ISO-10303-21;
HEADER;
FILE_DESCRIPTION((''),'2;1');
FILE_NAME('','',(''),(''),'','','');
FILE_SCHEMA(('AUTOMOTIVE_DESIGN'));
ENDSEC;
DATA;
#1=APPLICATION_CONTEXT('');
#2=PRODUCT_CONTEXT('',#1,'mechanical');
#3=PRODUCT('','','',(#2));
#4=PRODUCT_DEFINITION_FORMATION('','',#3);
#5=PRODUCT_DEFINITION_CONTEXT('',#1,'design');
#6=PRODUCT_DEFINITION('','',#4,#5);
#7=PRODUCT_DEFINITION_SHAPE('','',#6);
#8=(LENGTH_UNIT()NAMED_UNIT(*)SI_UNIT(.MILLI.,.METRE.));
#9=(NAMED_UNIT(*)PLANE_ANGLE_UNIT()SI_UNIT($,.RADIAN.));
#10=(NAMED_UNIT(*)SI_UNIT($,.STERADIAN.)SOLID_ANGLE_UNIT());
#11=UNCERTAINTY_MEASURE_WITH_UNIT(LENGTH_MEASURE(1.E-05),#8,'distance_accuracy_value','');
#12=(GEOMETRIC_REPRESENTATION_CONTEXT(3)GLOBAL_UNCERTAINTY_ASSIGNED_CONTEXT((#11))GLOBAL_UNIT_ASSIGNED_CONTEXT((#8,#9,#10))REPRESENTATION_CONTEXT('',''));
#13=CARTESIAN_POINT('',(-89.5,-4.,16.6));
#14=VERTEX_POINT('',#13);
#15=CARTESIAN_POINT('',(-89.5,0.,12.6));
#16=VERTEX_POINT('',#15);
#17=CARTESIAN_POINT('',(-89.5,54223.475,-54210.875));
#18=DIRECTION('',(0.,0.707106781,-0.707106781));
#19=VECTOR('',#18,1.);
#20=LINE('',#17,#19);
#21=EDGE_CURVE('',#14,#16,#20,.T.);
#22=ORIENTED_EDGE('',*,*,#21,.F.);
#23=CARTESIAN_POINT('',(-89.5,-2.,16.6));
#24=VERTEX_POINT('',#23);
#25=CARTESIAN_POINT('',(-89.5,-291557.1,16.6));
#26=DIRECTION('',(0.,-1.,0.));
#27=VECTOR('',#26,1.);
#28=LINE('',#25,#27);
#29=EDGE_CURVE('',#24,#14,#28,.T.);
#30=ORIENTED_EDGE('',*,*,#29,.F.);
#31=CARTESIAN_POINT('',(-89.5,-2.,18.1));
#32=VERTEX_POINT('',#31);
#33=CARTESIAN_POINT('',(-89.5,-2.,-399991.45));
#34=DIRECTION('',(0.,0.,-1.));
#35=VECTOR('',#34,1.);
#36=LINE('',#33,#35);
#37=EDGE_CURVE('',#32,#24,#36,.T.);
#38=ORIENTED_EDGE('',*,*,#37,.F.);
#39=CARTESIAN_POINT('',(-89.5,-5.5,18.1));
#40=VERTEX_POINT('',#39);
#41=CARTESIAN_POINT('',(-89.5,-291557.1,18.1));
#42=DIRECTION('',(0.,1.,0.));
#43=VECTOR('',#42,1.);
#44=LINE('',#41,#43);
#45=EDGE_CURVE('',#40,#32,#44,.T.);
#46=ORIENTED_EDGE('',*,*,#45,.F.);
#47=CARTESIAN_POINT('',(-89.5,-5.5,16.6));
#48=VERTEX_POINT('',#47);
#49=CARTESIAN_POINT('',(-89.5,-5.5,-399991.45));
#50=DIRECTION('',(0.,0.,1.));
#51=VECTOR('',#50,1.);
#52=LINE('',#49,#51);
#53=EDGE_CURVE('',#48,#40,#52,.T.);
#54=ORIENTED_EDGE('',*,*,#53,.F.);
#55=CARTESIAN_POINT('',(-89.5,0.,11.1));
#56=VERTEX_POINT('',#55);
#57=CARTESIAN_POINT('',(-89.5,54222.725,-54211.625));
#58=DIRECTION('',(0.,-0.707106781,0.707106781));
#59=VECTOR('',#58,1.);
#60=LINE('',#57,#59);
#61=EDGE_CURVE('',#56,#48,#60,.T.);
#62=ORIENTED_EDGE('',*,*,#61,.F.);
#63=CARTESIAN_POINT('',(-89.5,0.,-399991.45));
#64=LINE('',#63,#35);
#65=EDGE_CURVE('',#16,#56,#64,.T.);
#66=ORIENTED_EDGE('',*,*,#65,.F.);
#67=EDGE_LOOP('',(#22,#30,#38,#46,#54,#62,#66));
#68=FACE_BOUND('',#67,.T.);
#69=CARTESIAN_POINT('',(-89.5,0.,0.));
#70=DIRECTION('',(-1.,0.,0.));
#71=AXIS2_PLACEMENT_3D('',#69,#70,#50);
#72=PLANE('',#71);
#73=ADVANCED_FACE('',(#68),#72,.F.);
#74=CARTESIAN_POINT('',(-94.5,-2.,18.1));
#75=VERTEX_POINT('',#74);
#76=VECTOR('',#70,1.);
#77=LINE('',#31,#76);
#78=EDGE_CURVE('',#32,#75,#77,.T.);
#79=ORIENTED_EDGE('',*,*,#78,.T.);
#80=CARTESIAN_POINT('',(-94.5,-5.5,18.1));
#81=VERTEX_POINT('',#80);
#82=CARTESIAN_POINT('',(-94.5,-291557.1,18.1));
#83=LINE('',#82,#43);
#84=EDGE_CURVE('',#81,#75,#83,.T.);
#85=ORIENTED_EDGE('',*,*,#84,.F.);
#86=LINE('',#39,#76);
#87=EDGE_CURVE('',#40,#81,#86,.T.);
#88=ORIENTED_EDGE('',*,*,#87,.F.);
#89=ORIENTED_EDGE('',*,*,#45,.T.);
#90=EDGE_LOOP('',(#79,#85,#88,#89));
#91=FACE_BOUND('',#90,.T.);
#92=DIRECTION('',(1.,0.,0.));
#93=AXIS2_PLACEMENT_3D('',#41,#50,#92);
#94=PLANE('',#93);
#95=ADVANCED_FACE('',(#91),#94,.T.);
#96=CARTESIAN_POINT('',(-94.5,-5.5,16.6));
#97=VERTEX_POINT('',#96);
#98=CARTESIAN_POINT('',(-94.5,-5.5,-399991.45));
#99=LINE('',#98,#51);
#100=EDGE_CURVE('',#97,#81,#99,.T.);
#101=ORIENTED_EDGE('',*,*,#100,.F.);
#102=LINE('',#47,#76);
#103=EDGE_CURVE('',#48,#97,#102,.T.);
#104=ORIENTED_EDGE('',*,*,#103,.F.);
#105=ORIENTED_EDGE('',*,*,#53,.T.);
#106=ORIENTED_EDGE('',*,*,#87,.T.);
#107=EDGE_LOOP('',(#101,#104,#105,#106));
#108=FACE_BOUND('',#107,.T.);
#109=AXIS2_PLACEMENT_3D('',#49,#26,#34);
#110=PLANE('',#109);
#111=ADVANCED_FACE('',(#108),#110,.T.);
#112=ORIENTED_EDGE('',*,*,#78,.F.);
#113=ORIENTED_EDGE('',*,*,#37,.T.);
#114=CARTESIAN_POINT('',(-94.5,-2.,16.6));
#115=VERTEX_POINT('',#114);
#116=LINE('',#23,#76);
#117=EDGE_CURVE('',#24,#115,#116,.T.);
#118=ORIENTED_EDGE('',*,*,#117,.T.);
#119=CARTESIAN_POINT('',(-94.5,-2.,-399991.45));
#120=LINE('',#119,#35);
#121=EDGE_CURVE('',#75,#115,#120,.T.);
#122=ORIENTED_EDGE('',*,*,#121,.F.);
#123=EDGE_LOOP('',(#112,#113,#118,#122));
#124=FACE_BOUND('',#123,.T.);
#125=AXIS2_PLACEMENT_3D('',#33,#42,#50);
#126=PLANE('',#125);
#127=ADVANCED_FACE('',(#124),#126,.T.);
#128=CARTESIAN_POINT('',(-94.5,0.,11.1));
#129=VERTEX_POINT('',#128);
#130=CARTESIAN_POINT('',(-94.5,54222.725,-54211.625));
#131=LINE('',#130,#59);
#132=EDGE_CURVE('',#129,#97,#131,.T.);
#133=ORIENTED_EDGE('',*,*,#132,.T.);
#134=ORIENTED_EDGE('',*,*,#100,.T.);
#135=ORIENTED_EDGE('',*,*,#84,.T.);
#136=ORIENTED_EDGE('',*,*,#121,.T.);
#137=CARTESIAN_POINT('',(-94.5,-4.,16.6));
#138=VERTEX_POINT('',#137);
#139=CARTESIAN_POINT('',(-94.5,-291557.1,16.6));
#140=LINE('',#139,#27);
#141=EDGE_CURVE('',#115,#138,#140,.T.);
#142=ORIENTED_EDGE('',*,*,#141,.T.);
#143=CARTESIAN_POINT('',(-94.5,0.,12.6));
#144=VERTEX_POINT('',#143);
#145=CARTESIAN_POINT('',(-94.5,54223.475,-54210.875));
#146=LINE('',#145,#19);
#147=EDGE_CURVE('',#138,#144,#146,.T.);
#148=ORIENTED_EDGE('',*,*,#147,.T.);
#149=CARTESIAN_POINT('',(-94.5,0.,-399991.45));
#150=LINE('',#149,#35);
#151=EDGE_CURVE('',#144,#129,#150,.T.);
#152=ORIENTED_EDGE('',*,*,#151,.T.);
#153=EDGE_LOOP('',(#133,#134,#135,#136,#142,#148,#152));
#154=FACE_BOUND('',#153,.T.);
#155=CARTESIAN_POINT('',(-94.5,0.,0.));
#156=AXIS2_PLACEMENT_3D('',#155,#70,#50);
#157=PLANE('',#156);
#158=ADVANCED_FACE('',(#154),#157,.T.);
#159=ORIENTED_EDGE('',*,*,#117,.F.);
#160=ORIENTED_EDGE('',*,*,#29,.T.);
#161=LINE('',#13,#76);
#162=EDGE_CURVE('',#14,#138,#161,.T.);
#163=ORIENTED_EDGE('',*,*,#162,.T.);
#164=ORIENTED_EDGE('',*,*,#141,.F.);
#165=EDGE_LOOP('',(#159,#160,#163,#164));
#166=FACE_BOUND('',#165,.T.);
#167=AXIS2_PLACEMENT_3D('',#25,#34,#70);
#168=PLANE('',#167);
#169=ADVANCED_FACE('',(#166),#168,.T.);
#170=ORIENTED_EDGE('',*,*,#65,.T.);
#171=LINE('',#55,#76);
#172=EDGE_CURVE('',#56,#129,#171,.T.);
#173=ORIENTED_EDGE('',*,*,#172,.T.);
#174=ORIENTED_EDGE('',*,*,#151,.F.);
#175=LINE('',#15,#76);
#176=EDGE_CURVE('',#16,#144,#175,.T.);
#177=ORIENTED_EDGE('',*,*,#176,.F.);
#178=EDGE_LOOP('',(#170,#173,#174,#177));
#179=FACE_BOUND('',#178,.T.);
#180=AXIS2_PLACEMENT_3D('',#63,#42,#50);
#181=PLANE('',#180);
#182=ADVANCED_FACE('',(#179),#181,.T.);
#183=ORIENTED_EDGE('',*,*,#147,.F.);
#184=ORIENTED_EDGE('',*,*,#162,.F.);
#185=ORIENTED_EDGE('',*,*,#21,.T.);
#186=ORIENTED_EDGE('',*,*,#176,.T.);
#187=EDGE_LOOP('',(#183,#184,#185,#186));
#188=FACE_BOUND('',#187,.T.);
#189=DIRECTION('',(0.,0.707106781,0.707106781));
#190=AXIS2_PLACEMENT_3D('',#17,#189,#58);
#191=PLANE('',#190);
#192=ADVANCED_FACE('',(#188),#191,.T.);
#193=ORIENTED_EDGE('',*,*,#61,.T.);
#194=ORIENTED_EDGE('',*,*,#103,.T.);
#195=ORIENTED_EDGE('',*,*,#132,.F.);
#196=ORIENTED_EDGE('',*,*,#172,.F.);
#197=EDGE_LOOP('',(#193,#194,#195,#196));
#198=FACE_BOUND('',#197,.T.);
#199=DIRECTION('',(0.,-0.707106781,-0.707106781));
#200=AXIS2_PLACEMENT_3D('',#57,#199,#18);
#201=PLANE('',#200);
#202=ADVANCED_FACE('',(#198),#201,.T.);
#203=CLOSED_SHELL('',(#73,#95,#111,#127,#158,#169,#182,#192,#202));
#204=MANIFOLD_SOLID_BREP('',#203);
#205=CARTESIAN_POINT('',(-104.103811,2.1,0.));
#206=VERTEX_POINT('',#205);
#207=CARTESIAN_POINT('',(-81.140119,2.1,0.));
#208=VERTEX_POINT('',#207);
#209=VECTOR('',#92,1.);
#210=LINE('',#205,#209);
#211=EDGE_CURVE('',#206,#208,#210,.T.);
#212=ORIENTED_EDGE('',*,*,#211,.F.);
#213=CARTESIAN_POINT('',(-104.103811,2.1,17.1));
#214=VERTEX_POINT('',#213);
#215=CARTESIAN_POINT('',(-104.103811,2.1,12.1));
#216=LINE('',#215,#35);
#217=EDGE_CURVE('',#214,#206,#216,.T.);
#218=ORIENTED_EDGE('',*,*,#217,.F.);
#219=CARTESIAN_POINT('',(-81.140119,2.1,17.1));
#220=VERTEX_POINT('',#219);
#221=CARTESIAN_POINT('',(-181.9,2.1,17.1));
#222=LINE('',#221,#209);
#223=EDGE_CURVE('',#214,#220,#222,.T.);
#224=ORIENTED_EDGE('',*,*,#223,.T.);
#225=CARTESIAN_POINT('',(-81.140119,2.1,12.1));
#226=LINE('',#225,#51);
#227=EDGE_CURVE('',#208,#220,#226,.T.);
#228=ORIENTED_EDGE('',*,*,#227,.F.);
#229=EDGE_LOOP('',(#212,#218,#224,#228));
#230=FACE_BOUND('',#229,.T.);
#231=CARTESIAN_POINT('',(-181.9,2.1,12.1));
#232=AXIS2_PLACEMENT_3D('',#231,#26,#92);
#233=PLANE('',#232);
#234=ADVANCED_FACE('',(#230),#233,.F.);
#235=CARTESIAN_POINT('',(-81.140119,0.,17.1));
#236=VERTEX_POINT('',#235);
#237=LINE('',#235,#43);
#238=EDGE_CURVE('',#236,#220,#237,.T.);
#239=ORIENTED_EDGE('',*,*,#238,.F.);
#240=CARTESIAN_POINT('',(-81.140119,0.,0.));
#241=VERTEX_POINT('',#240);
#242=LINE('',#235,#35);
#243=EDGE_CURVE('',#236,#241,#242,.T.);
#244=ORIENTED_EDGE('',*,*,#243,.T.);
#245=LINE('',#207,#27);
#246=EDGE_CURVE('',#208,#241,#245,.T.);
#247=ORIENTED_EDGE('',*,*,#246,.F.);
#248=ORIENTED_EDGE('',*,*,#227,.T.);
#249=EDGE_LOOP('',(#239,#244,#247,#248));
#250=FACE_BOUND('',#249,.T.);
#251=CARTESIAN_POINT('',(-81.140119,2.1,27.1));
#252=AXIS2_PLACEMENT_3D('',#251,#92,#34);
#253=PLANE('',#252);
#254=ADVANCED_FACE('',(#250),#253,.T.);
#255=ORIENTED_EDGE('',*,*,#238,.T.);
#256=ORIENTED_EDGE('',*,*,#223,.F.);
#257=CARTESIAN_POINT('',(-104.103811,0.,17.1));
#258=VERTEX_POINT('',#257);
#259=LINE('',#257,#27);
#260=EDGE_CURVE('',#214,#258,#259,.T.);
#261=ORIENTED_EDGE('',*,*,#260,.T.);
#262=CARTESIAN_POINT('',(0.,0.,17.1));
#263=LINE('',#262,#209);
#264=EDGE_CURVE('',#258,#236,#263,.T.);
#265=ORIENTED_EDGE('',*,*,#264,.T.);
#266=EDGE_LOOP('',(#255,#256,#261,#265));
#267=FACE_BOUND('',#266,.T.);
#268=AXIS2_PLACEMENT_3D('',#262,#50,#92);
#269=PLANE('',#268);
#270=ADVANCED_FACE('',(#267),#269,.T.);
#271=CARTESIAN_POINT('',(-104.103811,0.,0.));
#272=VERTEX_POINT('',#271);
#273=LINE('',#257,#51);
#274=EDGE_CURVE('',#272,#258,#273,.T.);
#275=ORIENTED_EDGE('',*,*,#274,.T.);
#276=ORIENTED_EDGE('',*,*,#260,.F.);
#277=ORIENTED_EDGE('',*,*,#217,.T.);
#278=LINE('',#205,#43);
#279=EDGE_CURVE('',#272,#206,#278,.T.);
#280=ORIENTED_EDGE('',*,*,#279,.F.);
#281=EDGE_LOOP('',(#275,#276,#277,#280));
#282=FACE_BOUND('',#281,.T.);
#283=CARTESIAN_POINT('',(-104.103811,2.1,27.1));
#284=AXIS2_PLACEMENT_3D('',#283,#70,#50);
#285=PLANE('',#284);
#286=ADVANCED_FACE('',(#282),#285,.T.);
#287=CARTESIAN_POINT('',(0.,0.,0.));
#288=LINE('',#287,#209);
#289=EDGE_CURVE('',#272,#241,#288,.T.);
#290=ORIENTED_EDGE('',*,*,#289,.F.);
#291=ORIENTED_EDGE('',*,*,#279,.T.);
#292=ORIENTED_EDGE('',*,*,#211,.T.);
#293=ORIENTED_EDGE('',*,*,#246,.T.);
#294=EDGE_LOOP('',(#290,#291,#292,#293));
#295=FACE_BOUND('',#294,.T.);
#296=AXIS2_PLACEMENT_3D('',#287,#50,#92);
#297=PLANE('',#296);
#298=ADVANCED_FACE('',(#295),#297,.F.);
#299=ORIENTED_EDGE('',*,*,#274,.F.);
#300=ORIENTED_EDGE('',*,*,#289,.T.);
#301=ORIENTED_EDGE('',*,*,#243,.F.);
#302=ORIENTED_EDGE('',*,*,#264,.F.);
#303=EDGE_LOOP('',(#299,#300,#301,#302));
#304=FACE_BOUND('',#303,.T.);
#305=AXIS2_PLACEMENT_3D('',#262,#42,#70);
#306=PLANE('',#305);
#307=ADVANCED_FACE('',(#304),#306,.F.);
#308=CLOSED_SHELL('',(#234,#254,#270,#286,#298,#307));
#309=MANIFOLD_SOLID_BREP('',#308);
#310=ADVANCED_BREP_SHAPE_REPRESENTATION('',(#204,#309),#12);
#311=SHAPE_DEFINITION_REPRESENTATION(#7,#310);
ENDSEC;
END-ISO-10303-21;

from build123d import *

# Parameters (mm, degrees)
CROQUIS1_W                   = 184
CROQUIS1_H                   = 39
SALIENTE_EXTRUIR1_DEPTH      = 17.1
CROQUIS3_W                   = 179.8
CROQUIS3_H                   = 34.8
CORTAR_EXTRUIR2_DEPTH        = 5
CROQUIS2_R                   = 0.8
CROQUIS2_W                   = 48
CROQUIS2_H                   = 1.8
CROQUIS2_W_2                 = 35
CROQUIS2_H_2                 = 5.5
CORTAR_EXTRUIR1_DEPTH        = 10
SALIENTE_EXTRUIR2_START      = -30
CROQUIS4_R                   = 1.7
SALIENTE_EXTRUIR2_DEPTH      = 10
CROQUIS5_R                   = 3
CORTAR_EXTRUIR3_DEPTH        = 2
REDONDEO1_R                  = 3
SALIENTE_EXTRUIR3_START      = -92
SALIENTE_EXTRUIR3_DEPTH      = 2.5
SALIENTE_EXTRUIR3_DEPTH_BACK = 2.5
CORTAR_EXTRUIR4_DEPTH        = 10
CORTAR_EXTRUIR4_DEPTH_BACK   = 17.1


with BuildPart() as part:
    # Croquis1 → Saliente-Extruir1 (new body)
    with BuildSketch(Plane.XY):
        with Locations((-92, 19.5)):
            Rectangle(CROQUIS1_W, CROQUIS1_H)
    extrude(amount=SALIENTE_EXTRUIR1_DEPTH)

    # Croquis3 → Cortar-Extruir2 (cut)
    with BuildSketch(Plane.XY.offset(17.1)):
        with Locations((-92, 19.5)):
            Rectangle(CROQUIS3_W, CROQUIS3_H)
    extrude(amount=-CORTAR_EXTRUIR2_DEPTH, mode=Mode.SUBTRACT)

    # Croquis2 → Cortar-Extruir1 (cut)
    with BuildSketch(Plane.XY.offset(12.1)):
        with Locations((-12.681707673, 9.800192895)):
            Circle(CROQUIS2_R)
        with Locations((-6.682537242, 9.700422497)):
            Circle(CROQUIS2_R)
        with BuildLine():
            Line((-105.9, 34.7), (-105.9, 36.2))
            Line((-105.9, 36.2), (-95.9, 36.2))
            Line((-95.9, 36.2), (-95.9, 34.7))
            Line((-95.9, 34.7), (-8.9, 34.7))
            ThreePointArc((-8.9, 34.7), (-3.7, 26.2), (-8.9, 17.7))
            Line((-8.9, 17.7), (-17.9, 17.7))
            Line((-17.9, 17.7), (-17.9, 15.7))
            Line((-17.9, 15.7), (-23.9, 15.7))
            Line((-23.9, 15.7), (-23.9, 17.7))
            Line((-23.9, 17.7), (-64.109855844, 17.7))
            Line((-64.109855844, 17.7), (-64.109855844, 5.8))
            Line((-64.109855844, 5.8), (-136.109855844, 5.8))
            Line((-136.109855844, 5.8), (-136.109855844, 8.4))
            Line((-136.109855844, 8.4), (-166.109855844, 8.4))
            ThreePointArc((-166.109855844, 8.4), (-179.9, 11.3), (-166.109855844, 14.2))
            Line((-166.109855844, 14.2), (-136.109855844, 14.2))
            Line((-136.109855844, 14.2), (-136.109855844, 16.8))
            Line((-136.109855844, 16.8), (-91.9, 16.8))
            Line((-91.9, 16.8), (-91.9, 17.7))
            Line((-91.9, 17.7), (-108.9, 17.7))
            Line((-108.9, 17.7), (-108.9, 22.7))
            Line((-108.9, 22.7), (-127.377811725, 22.7))
            ThreePointArc((-127.377811725, 22.7), (-147.1, 14.7), (-166.822188275, 22.7))
            Line((-166.822188275, 22.7), (-179.9, 22.7))
            Line((-179.9, 22.7), (-179.9, 33.7))
            Line((-179.9, 33.7), (-108.9, 33.7))
            Line((-108.9, 33.7), (-108.9, 34.7))
            Line((-108.9, 34.7), (-105.9, 34.7))
        make_face()
        with Locations((-28.1, 6.7)):
            Rectangle(CROQUIS2_W, CROQUIS2_H)
        with Locations((-44.309855844, 12.65)):
            Rectangle(CROQUIS2_W_2, CROQUIS2_H_2)
    extrude(amount=-CORTAR_EXTRUIR1_DEPTH, mode=Mode.SUBTRACT)

    # Redondeo1
    redondeo1_edges = [part.edges().sort_by_distance(p)[0] for p in [
        (-2.1, 2.1, 14.6),
        (-181.9, 2.1, 14.6),
        (-181.9, 36.9, 14.6),
        (-2.1, 36.9, 14.6),
        (0, 0, 8.55),
        (-184, 0, 8.55),
        (-184, 39, 8.55),
        (0, 39, 8.55),
    ]]
    fillet(redondeo1_edges, radius=REDONDEO1_R)


with BuildPart() as body_2:
    # Croquis4 → Saliente-Extruir2 (new body)
    with BuildSketch(Plane.ZY.offset(184).offset(SALIENTE_EXTRUIR2_START)):
        with BuildLine():
            Line((17.1, 40.5), (17.1, 39))
            Line((17.1, 39), (12.1, 39))
            Line((12.1, 39), (12.1, 45.5))
            ThreePointArc((12.1, 45.5), (20.635533906, 49.035533906), (17.1, 40.5))
        make_face()
        with Locations((17.1, 45.5)):
            Circle(CROQUIS4_R, mode=Mode.SUBTRACT)
    extrude(amount=-SALIENTE_EXTRUIR2_DEPTH)

    # Croquis5 → Cortar-Extruir3 (cut)
    with BuildSketch(Plane.ZY.offset(154)):
        with Locations((17.1, 45.5)):
            Circle(CROQUIS5_R)
    extrude(amount=-CORTAR_EXTRUIR3_DEPTH, mode=Mode.SUBTRACT)


with BuildPart() as body_3:
    # Simetría1: mirrored copy
    add(body_2.part.mirror(Plane.ZY.offset(92)))


with BuildPart() as body_4:
    # Croquis6 → Saliente-Extruir3 (new body, two sides)
    with BuildSketch(Plane.ZY.offset(184).offset(SALIENTE_EXTRUIR3_START)) as saliente_extruir3_sk:
        Polygon((12.6, 0), (11.1, 0), (16.6, -5.5), (18.1, -5.5), (18.1, -2), (16.6, -2), (16.6, -4), align=None)
    extrude(amount=SALIENTE_EXTRUIR3_DEPTH)
    extrude(saliente_extruir3_sk.sketch, amount=-SALIENTE_EXTRUIR3_DEPTH_BACK)


with BuildPart() as cortar_extruir4_tool:
    # Croquis7 → Cortar-Extruir4 (new body, two sides)
    with BuildSketch(Plane.XY.offset(17.1)) as cortar_extruir4_sk:
        Polygon((-104.103810704, 2.1), (-81.140118855, 2.1), (-81.140118855, -8.804149183), (14.735599425, -8.804149183), (14.735599425, 62.484025979), (-194.207904524, 65.472415393), (-195.251591169, -7.500518981), (-104.103810704, -8.804149183), align=None)
    extrude(amount=CORTAR_EXTRUIR4_DEPTH)
    extrude(cortar_extruir4_sk.sketch, amount=-CORTAR_EXTRUIR4_DEPTH_BACK)


with BuildPart() as part_1:
    add(part.part)

    # Cortar-Extruir4: cut by cortar_extruir4_tool
    add(cortar_extruir4_tool.part, mode=Mode.SUBTRACT)


with BuildPart() as body_2_1:
    add(body_2.part)

    # Cortar-Extruir4: cut by cortar_extruir4_tool
    add(cortar_extruir4_tool.part, mode=Mode.SUBTRACT)


with BuildPart() as body_3_1:
    add(body_3.part)

    # Cortar-Extruir4: cut by cortar_extruir4_tool
    add(cortar_extruir4_tool.part, mode=Mode.SUBTRACT)


solid = Compound([body_4.part, part_1.part])
